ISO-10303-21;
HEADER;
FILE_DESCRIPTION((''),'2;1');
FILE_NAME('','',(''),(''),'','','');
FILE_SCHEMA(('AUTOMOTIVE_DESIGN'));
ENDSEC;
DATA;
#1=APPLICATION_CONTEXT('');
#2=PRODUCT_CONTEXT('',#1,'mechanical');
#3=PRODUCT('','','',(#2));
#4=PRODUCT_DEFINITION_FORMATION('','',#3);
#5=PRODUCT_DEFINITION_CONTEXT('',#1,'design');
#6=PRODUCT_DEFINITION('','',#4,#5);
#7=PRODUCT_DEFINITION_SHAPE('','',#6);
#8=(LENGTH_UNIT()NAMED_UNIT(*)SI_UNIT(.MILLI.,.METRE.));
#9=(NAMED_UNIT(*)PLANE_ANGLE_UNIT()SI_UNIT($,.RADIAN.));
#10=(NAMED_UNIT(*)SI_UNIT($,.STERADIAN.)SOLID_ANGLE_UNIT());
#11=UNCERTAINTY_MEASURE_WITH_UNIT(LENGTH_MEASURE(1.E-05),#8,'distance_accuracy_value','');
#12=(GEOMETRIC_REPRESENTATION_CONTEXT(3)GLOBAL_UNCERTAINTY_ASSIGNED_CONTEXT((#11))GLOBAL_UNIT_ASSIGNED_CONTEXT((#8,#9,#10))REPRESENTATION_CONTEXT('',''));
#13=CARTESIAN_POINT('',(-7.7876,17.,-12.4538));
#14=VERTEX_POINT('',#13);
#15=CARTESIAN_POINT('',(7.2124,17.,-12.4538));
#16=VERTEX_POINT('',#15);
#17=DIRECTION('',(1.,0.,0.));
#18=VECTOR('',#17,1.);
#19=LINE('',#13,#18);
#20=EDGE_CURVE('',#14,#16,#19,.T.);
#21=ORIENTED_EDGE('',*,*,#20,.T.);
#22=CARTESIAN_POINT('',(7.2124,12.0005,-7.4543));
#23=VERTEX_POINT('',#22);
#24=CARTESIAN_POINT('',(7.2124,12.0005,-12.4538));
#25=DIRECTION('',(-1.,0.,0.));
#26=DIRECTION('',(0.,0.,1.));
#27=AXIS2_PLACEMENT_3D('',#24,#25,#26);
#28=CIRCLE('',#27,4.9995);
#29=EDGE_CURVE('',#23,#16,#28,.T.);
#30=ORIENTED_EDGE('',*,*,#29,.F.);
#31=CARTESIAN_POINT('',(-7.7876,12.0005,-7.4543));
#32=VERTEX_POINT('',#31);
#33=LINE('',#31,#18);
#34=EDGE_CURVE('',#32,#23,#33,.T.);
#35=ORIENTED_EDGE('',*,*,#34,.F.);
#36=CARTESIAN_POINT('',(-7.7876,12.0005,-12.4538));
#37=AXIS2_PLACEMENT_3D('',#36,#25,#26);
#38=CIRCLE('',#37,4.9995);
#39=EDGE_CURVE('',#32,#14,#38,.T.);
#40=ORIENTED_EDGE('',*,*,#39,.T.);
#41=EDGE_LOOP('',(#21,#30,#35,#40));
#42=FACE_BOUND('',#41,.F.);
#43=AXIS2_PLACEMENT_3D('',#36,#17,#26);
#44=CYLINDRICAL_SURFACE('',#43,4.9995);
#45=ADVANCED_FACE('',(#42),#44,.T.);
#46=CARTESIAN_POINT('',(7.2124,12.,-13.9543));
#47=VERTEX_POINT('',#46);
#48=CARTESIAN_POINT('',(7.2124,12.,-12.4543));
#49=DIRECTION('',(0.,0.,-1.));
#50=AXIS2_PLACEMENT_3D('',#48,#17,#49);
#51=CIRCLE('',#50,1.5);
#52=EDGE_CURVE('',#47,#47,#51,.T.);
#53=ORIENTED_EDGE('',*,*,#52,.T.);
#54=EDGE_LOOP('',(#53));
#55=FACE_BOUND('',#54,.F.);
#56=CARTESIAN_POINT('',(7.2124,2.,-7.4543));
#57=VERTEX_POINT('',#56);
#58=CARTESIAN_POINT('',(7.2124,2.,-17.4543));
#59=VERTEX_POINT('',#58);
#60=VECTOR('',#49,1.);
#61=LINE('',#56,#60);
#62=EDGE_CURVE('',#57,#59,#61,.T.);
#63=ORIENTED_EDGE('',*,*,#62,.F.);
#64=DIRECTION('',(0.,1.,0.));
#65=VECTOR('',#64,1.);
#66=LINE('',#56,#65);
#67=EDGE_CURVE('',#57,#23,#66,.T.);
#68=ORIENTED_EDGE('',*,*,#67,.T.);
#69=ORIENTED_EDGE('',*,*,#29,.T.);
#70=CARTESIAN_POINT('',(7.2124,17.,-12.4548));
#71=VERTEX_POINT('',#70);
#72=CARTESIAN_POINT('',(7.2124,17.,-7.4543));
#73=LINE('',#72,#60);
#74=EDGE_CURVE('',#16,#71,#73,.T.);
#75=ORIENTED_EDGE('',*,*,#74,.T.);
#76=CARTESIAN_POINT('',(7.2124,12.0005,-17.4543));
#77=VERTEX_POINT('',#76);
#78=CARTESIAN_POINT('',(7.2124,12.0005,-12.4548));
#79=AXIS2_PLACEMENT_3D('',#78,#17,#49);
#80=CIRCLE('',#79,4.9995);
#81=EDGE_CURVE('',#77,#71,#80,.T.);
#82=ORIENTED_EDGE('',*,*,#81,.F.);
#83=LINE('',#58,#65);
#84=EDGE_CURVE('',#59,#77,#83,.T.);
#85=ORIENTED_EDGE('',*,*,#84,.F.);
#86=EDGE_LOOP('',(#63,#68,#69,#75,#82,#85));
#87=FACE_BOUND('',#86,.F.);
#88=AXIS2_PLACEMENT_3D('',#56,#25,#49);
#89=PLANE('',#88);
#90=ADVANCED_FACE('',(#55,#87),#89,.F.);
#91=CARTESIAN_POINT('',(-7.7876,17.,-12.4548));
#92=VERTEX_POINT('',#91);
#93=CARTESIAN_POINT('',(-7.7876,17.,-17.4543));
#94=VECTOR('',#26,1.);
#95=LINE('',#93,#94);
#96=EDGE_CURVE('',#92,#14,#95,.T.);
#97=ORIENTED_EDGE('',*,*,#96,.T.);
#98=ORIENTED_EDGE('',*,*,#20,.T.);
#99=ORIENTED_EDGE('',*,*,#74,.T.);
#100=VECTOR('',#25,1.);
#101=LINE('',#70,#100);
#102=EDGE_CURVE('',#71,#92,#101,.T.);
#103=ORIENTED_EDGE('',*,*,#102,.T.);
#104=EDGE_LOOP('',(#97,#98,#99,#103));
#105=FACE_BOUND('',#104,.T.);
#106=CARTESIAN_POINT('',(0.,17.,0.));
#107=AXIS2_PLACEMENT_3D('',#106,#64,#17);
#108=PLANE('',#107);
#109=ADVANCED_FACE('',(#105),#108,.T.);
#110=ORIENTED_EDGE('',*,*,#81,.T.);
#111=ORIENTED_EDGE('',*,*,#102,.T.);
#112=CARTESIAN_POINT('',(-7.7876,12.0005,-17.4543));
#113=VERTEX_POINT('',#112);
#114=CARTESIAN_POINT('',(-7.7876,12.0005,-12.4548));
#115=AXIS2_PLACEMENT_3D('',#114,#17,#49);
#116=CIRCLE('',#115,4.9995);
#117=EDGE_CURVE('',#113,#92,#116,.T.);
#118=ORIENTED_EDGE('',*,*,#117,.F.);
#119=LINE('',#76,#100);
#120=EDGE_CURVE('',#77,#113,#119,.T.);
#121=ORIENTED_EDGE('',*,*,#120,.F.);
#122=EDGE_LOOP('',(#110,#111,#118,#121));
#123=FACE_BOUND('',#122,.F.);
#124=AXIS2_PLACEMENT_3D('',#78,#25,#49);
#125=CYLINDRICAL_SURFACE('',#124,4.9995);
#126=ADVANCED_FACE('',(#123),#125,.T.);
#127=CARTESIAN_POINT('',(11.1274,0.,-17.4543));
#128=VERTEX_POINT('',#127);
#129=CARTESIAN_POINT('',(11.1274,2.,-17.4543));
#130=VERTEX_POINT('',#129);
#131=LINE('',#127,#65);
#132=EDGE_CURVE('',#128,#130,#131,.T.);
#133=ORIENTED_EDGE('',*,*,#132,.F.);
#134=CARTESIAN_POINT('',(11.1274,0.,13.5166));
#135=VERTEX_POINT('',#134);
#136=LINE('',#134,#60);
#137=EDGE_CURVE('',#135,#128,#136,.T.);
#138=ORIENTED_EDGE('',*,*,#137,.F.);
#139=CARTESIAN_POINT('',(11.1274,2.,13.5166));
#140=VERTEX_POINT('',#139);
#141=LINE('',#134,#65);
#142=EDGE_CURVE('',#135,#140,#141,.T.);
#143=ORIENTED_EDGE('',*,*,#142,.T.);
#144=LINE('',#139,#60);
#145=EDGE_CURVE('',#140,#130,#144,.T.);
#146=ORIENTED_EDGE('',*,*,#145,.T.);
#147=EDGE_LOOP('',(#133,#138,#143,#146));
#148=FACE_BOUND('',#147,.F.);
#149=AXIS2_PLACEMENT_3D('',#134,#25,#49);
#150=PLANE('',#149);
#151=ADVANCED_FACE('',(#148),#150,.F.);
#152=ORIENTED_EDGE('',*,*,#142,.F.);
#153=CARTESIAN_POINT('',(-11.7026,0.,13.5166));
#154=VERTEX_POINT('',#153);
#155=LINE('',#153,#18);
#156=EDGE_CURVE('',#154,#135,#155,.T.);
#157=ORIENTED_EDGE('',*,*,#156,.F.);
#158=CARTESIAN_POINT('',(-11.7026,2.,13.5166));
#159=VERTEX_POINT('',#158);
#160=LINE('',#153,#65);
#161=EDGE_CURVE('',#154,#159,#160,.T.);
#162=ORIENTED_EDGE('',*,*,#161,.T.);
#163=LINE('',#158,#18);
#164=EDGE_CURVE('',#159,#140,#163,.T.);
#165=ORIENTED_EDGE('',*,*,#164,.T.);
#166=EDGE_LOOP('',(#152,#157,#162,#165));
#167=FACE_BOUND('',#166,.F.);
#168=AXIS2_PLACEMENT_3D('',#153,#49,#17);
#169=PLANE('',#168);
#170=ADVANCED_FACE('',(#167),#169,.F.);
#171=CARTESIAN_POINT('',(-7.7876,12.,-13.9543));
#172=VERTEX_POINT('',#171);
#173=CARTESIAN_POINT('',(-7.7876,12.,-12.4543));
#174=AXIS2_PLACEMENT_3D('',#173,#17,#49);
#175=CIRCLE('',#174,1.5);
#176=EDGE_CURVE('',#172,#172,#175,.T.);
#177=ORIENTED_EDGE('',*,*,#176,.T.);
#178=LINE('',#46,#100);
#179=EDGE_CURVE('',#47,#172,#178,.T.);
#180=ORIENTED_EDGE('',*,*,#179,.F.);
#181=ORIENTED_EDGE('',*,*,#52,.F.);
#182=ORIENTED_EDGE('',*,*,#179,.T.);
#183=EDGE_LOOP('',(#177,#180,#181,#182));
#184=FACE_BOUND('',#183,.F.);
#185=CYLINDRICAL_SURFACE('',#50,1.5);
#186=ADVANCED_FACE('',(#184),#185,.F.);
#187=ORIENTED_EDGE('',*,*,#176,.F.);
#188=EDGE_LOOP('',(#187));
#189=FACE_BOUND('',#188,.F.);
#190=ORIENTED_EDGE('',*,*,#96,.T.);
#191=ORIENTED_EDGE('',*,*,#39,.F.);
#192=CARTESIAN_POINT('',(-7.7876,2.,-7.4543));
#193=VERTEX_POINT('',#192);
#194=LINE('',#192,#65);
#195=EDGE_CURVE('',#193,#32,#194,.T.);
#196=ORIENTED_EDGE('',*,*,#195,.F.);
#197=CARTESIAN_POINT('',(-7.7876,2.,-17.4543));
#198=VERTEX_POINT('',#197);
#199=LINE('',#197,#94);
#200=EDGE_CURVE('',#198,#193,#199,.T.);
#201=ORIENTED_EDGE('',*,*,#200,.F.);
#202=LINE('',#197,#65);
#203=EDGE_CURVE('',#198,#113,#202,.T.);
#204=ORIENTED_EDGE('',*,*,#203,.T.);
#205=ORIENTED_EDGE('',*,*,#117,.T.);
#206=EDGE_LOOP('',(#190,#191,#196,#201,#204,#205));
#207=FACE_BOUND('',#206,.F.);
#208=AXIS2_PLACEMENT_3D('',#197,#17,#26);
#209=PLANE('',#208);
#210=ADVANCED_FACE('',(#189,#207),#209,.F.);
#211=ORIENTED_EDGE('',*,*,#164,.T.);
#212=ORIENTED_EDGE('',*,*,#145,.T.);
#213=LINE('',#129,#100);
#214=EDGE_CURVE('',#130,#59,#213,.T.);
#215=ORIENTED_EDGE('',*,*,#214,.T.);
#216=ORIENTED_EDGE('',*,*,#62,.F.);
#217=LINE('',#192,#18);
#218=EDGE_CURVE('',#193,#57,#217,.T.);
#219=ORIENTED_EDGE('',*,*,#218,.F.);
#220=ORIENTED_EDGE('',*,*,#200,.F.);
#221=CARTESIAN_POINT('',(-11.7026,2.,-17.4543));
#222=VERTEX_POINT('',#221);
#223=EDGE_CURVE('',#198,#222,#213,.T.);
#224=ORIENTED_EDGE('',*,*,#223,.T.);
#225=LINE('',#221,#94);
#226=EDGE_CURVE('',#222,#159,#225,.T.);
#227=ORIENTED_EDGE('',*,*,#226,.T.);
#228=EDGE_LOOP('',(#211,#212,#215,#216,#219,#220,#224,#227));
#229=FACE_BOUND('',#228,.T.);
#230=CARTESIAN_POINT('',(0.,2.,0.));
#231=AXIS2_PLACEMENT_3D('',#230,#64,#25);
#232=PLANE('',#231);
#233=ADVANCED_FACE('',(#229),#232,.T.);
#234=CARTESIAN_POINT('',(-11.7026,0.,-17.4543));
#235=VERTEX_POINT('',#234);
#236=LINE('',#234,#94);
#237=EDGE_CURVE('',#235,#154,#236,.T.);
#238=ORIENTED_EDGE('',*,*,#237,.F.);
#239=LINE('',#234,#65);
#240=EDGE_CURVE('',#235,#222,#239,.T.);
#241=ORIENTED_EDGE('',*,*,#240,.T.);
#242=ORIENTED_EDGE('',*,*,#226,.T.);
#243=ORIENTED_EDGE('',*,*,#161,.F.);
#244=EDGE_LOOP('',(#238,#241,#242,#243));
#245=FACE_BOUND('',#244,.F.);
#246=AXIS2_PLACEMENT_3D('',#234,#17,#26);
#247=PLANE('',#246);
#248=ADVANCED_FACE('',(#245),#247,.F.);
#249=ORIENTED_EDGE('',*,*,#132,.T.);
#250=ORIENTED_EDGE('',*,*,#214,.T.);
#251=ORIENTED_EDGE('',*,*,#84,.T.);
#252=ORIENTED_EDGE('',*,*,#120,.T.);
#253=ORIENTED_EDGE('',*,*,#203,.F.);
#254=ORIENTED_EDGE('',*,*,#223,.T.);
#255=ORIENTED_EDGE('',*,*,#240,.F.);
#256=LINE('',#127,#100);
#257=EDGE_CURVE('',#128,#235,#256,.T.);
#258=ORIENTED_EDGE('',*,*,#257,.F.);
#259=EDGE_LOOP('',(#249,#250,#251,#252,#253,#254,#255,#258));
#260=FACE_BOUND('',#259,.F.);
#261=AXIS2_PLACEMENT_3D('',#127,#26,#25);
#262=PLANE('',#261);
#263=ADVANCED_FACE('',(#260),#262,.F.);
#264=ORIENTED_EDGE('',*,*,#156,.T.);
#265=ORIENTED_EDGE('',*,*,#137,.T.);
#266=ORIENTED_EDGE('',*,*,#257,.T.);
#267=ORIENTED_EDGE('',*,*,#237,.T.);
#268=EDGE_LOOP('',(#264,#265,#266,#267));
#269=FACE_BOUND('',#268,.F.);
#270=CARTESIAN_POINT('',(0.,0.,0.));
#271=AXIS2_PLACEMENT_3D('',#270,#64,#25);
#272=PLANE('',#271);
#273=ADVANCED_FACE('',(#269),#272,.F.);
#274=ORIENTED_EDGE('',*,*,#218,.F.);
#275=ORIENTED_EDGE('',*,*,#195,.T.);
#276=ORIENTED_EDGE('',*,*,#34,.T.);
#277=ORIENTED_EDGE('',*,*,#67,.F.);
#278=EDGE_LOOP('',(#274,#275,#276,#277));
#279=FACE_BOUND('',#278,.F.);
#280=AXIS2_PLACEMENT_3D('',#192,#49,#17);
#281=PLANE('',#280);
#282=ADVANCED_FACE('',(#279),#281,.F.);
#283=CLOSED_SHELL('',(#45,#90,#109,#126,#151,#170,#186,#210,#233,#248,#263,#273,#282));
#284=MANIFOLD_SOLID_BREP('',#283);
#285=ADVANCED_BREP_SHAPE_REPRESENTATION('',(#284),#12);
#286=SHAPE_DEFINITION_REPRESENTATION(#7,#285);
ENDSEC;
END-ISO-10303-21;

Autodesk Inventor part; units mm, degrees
ref_plane "YZ Plane" through (0, 0, 0) normal (1, 0, 0) x (0, 1, 0)
ref_plane "XZ Plane" through (0, 0, 0) normal (0, 1, 0) x (-1, 0, 0)
ref_plane "XY Plane" through (0, 0, 0) normal (0, 0, 1) x (1, 0, 0)
sketch "Szkic1" plane through (0, 0, 0) normal (0, 1, 0) x (-1, 0, 0)
  line L0 (11.7026, 13.5166) -> (-11.1274, 13.5166)
  line L1 (-11.1274, 13.5166) -> (-11.1274, -17.4543)
  line L2 (-11.1274, -17.4543) -> (11.7026, -17.4543)
  line L3 (11.7026, -17.4543) -> (11.7026, 13.5166)
  point P0 (0, 0)
extrude "Wyciągnięcie proste1" add sketch "Szkic1" along normal blind 2
sketch "Szkic2" plane through (0, 2, 0) normal (0, 1, 0) x (1, 0, 0)
  line L0 (11.1274, 17.4543) -> (-11.7026, 17.4543) projected
  line L1 (-7.7876, 7.4543) -> (7.2124, 7.4543)
  line L2 (7.2124, 7.4543) -> (7.2124, 17.4543)
  line L3 (7.2124, 17.4543) -> (-7.7876, 17.4543)
  line L4 (-7.7876, 17.4543) -> (-7.7876, 7.4543)
  point P0 (0, 0)
  point P1 (-0.2876, 7.4543)
  point P2 (-0.2876, 17.4543)
  dimension "d2" = 15
  dimension "d3" = 10
extrude "Wyciągnięcie proste2" add sketch "Szkic2" along normal blind 15
fillet "Zaokrąglenie1" radius 5 2 edges at (-0.2876, 17, -7.4543) (-0.2876, 17, -17.4543)
sketch "Szkic3" plane through (7.2124, 2, -7.4543) normal (1, 0, 0) x (0, 0, -1)
  arc A0 (10, 10) -> (0, 10) centre (5, 10) ccw projected
  line L0 (0, 0) -> (0, 10) projected
  line L1 (10, 0) -> (0, 0) projected
  line L2 (10, 0) -> (10, 10) projected
  circle A1 centre (5, 10) radius 1.5
  point P0 (-7.4543, -2)
  dimension "d7" = 3
extrude "Wyciągnięcie proste3" cut sketch "Szkic3" against normal blind 15 contours A1
properties part number "uchwyt"
